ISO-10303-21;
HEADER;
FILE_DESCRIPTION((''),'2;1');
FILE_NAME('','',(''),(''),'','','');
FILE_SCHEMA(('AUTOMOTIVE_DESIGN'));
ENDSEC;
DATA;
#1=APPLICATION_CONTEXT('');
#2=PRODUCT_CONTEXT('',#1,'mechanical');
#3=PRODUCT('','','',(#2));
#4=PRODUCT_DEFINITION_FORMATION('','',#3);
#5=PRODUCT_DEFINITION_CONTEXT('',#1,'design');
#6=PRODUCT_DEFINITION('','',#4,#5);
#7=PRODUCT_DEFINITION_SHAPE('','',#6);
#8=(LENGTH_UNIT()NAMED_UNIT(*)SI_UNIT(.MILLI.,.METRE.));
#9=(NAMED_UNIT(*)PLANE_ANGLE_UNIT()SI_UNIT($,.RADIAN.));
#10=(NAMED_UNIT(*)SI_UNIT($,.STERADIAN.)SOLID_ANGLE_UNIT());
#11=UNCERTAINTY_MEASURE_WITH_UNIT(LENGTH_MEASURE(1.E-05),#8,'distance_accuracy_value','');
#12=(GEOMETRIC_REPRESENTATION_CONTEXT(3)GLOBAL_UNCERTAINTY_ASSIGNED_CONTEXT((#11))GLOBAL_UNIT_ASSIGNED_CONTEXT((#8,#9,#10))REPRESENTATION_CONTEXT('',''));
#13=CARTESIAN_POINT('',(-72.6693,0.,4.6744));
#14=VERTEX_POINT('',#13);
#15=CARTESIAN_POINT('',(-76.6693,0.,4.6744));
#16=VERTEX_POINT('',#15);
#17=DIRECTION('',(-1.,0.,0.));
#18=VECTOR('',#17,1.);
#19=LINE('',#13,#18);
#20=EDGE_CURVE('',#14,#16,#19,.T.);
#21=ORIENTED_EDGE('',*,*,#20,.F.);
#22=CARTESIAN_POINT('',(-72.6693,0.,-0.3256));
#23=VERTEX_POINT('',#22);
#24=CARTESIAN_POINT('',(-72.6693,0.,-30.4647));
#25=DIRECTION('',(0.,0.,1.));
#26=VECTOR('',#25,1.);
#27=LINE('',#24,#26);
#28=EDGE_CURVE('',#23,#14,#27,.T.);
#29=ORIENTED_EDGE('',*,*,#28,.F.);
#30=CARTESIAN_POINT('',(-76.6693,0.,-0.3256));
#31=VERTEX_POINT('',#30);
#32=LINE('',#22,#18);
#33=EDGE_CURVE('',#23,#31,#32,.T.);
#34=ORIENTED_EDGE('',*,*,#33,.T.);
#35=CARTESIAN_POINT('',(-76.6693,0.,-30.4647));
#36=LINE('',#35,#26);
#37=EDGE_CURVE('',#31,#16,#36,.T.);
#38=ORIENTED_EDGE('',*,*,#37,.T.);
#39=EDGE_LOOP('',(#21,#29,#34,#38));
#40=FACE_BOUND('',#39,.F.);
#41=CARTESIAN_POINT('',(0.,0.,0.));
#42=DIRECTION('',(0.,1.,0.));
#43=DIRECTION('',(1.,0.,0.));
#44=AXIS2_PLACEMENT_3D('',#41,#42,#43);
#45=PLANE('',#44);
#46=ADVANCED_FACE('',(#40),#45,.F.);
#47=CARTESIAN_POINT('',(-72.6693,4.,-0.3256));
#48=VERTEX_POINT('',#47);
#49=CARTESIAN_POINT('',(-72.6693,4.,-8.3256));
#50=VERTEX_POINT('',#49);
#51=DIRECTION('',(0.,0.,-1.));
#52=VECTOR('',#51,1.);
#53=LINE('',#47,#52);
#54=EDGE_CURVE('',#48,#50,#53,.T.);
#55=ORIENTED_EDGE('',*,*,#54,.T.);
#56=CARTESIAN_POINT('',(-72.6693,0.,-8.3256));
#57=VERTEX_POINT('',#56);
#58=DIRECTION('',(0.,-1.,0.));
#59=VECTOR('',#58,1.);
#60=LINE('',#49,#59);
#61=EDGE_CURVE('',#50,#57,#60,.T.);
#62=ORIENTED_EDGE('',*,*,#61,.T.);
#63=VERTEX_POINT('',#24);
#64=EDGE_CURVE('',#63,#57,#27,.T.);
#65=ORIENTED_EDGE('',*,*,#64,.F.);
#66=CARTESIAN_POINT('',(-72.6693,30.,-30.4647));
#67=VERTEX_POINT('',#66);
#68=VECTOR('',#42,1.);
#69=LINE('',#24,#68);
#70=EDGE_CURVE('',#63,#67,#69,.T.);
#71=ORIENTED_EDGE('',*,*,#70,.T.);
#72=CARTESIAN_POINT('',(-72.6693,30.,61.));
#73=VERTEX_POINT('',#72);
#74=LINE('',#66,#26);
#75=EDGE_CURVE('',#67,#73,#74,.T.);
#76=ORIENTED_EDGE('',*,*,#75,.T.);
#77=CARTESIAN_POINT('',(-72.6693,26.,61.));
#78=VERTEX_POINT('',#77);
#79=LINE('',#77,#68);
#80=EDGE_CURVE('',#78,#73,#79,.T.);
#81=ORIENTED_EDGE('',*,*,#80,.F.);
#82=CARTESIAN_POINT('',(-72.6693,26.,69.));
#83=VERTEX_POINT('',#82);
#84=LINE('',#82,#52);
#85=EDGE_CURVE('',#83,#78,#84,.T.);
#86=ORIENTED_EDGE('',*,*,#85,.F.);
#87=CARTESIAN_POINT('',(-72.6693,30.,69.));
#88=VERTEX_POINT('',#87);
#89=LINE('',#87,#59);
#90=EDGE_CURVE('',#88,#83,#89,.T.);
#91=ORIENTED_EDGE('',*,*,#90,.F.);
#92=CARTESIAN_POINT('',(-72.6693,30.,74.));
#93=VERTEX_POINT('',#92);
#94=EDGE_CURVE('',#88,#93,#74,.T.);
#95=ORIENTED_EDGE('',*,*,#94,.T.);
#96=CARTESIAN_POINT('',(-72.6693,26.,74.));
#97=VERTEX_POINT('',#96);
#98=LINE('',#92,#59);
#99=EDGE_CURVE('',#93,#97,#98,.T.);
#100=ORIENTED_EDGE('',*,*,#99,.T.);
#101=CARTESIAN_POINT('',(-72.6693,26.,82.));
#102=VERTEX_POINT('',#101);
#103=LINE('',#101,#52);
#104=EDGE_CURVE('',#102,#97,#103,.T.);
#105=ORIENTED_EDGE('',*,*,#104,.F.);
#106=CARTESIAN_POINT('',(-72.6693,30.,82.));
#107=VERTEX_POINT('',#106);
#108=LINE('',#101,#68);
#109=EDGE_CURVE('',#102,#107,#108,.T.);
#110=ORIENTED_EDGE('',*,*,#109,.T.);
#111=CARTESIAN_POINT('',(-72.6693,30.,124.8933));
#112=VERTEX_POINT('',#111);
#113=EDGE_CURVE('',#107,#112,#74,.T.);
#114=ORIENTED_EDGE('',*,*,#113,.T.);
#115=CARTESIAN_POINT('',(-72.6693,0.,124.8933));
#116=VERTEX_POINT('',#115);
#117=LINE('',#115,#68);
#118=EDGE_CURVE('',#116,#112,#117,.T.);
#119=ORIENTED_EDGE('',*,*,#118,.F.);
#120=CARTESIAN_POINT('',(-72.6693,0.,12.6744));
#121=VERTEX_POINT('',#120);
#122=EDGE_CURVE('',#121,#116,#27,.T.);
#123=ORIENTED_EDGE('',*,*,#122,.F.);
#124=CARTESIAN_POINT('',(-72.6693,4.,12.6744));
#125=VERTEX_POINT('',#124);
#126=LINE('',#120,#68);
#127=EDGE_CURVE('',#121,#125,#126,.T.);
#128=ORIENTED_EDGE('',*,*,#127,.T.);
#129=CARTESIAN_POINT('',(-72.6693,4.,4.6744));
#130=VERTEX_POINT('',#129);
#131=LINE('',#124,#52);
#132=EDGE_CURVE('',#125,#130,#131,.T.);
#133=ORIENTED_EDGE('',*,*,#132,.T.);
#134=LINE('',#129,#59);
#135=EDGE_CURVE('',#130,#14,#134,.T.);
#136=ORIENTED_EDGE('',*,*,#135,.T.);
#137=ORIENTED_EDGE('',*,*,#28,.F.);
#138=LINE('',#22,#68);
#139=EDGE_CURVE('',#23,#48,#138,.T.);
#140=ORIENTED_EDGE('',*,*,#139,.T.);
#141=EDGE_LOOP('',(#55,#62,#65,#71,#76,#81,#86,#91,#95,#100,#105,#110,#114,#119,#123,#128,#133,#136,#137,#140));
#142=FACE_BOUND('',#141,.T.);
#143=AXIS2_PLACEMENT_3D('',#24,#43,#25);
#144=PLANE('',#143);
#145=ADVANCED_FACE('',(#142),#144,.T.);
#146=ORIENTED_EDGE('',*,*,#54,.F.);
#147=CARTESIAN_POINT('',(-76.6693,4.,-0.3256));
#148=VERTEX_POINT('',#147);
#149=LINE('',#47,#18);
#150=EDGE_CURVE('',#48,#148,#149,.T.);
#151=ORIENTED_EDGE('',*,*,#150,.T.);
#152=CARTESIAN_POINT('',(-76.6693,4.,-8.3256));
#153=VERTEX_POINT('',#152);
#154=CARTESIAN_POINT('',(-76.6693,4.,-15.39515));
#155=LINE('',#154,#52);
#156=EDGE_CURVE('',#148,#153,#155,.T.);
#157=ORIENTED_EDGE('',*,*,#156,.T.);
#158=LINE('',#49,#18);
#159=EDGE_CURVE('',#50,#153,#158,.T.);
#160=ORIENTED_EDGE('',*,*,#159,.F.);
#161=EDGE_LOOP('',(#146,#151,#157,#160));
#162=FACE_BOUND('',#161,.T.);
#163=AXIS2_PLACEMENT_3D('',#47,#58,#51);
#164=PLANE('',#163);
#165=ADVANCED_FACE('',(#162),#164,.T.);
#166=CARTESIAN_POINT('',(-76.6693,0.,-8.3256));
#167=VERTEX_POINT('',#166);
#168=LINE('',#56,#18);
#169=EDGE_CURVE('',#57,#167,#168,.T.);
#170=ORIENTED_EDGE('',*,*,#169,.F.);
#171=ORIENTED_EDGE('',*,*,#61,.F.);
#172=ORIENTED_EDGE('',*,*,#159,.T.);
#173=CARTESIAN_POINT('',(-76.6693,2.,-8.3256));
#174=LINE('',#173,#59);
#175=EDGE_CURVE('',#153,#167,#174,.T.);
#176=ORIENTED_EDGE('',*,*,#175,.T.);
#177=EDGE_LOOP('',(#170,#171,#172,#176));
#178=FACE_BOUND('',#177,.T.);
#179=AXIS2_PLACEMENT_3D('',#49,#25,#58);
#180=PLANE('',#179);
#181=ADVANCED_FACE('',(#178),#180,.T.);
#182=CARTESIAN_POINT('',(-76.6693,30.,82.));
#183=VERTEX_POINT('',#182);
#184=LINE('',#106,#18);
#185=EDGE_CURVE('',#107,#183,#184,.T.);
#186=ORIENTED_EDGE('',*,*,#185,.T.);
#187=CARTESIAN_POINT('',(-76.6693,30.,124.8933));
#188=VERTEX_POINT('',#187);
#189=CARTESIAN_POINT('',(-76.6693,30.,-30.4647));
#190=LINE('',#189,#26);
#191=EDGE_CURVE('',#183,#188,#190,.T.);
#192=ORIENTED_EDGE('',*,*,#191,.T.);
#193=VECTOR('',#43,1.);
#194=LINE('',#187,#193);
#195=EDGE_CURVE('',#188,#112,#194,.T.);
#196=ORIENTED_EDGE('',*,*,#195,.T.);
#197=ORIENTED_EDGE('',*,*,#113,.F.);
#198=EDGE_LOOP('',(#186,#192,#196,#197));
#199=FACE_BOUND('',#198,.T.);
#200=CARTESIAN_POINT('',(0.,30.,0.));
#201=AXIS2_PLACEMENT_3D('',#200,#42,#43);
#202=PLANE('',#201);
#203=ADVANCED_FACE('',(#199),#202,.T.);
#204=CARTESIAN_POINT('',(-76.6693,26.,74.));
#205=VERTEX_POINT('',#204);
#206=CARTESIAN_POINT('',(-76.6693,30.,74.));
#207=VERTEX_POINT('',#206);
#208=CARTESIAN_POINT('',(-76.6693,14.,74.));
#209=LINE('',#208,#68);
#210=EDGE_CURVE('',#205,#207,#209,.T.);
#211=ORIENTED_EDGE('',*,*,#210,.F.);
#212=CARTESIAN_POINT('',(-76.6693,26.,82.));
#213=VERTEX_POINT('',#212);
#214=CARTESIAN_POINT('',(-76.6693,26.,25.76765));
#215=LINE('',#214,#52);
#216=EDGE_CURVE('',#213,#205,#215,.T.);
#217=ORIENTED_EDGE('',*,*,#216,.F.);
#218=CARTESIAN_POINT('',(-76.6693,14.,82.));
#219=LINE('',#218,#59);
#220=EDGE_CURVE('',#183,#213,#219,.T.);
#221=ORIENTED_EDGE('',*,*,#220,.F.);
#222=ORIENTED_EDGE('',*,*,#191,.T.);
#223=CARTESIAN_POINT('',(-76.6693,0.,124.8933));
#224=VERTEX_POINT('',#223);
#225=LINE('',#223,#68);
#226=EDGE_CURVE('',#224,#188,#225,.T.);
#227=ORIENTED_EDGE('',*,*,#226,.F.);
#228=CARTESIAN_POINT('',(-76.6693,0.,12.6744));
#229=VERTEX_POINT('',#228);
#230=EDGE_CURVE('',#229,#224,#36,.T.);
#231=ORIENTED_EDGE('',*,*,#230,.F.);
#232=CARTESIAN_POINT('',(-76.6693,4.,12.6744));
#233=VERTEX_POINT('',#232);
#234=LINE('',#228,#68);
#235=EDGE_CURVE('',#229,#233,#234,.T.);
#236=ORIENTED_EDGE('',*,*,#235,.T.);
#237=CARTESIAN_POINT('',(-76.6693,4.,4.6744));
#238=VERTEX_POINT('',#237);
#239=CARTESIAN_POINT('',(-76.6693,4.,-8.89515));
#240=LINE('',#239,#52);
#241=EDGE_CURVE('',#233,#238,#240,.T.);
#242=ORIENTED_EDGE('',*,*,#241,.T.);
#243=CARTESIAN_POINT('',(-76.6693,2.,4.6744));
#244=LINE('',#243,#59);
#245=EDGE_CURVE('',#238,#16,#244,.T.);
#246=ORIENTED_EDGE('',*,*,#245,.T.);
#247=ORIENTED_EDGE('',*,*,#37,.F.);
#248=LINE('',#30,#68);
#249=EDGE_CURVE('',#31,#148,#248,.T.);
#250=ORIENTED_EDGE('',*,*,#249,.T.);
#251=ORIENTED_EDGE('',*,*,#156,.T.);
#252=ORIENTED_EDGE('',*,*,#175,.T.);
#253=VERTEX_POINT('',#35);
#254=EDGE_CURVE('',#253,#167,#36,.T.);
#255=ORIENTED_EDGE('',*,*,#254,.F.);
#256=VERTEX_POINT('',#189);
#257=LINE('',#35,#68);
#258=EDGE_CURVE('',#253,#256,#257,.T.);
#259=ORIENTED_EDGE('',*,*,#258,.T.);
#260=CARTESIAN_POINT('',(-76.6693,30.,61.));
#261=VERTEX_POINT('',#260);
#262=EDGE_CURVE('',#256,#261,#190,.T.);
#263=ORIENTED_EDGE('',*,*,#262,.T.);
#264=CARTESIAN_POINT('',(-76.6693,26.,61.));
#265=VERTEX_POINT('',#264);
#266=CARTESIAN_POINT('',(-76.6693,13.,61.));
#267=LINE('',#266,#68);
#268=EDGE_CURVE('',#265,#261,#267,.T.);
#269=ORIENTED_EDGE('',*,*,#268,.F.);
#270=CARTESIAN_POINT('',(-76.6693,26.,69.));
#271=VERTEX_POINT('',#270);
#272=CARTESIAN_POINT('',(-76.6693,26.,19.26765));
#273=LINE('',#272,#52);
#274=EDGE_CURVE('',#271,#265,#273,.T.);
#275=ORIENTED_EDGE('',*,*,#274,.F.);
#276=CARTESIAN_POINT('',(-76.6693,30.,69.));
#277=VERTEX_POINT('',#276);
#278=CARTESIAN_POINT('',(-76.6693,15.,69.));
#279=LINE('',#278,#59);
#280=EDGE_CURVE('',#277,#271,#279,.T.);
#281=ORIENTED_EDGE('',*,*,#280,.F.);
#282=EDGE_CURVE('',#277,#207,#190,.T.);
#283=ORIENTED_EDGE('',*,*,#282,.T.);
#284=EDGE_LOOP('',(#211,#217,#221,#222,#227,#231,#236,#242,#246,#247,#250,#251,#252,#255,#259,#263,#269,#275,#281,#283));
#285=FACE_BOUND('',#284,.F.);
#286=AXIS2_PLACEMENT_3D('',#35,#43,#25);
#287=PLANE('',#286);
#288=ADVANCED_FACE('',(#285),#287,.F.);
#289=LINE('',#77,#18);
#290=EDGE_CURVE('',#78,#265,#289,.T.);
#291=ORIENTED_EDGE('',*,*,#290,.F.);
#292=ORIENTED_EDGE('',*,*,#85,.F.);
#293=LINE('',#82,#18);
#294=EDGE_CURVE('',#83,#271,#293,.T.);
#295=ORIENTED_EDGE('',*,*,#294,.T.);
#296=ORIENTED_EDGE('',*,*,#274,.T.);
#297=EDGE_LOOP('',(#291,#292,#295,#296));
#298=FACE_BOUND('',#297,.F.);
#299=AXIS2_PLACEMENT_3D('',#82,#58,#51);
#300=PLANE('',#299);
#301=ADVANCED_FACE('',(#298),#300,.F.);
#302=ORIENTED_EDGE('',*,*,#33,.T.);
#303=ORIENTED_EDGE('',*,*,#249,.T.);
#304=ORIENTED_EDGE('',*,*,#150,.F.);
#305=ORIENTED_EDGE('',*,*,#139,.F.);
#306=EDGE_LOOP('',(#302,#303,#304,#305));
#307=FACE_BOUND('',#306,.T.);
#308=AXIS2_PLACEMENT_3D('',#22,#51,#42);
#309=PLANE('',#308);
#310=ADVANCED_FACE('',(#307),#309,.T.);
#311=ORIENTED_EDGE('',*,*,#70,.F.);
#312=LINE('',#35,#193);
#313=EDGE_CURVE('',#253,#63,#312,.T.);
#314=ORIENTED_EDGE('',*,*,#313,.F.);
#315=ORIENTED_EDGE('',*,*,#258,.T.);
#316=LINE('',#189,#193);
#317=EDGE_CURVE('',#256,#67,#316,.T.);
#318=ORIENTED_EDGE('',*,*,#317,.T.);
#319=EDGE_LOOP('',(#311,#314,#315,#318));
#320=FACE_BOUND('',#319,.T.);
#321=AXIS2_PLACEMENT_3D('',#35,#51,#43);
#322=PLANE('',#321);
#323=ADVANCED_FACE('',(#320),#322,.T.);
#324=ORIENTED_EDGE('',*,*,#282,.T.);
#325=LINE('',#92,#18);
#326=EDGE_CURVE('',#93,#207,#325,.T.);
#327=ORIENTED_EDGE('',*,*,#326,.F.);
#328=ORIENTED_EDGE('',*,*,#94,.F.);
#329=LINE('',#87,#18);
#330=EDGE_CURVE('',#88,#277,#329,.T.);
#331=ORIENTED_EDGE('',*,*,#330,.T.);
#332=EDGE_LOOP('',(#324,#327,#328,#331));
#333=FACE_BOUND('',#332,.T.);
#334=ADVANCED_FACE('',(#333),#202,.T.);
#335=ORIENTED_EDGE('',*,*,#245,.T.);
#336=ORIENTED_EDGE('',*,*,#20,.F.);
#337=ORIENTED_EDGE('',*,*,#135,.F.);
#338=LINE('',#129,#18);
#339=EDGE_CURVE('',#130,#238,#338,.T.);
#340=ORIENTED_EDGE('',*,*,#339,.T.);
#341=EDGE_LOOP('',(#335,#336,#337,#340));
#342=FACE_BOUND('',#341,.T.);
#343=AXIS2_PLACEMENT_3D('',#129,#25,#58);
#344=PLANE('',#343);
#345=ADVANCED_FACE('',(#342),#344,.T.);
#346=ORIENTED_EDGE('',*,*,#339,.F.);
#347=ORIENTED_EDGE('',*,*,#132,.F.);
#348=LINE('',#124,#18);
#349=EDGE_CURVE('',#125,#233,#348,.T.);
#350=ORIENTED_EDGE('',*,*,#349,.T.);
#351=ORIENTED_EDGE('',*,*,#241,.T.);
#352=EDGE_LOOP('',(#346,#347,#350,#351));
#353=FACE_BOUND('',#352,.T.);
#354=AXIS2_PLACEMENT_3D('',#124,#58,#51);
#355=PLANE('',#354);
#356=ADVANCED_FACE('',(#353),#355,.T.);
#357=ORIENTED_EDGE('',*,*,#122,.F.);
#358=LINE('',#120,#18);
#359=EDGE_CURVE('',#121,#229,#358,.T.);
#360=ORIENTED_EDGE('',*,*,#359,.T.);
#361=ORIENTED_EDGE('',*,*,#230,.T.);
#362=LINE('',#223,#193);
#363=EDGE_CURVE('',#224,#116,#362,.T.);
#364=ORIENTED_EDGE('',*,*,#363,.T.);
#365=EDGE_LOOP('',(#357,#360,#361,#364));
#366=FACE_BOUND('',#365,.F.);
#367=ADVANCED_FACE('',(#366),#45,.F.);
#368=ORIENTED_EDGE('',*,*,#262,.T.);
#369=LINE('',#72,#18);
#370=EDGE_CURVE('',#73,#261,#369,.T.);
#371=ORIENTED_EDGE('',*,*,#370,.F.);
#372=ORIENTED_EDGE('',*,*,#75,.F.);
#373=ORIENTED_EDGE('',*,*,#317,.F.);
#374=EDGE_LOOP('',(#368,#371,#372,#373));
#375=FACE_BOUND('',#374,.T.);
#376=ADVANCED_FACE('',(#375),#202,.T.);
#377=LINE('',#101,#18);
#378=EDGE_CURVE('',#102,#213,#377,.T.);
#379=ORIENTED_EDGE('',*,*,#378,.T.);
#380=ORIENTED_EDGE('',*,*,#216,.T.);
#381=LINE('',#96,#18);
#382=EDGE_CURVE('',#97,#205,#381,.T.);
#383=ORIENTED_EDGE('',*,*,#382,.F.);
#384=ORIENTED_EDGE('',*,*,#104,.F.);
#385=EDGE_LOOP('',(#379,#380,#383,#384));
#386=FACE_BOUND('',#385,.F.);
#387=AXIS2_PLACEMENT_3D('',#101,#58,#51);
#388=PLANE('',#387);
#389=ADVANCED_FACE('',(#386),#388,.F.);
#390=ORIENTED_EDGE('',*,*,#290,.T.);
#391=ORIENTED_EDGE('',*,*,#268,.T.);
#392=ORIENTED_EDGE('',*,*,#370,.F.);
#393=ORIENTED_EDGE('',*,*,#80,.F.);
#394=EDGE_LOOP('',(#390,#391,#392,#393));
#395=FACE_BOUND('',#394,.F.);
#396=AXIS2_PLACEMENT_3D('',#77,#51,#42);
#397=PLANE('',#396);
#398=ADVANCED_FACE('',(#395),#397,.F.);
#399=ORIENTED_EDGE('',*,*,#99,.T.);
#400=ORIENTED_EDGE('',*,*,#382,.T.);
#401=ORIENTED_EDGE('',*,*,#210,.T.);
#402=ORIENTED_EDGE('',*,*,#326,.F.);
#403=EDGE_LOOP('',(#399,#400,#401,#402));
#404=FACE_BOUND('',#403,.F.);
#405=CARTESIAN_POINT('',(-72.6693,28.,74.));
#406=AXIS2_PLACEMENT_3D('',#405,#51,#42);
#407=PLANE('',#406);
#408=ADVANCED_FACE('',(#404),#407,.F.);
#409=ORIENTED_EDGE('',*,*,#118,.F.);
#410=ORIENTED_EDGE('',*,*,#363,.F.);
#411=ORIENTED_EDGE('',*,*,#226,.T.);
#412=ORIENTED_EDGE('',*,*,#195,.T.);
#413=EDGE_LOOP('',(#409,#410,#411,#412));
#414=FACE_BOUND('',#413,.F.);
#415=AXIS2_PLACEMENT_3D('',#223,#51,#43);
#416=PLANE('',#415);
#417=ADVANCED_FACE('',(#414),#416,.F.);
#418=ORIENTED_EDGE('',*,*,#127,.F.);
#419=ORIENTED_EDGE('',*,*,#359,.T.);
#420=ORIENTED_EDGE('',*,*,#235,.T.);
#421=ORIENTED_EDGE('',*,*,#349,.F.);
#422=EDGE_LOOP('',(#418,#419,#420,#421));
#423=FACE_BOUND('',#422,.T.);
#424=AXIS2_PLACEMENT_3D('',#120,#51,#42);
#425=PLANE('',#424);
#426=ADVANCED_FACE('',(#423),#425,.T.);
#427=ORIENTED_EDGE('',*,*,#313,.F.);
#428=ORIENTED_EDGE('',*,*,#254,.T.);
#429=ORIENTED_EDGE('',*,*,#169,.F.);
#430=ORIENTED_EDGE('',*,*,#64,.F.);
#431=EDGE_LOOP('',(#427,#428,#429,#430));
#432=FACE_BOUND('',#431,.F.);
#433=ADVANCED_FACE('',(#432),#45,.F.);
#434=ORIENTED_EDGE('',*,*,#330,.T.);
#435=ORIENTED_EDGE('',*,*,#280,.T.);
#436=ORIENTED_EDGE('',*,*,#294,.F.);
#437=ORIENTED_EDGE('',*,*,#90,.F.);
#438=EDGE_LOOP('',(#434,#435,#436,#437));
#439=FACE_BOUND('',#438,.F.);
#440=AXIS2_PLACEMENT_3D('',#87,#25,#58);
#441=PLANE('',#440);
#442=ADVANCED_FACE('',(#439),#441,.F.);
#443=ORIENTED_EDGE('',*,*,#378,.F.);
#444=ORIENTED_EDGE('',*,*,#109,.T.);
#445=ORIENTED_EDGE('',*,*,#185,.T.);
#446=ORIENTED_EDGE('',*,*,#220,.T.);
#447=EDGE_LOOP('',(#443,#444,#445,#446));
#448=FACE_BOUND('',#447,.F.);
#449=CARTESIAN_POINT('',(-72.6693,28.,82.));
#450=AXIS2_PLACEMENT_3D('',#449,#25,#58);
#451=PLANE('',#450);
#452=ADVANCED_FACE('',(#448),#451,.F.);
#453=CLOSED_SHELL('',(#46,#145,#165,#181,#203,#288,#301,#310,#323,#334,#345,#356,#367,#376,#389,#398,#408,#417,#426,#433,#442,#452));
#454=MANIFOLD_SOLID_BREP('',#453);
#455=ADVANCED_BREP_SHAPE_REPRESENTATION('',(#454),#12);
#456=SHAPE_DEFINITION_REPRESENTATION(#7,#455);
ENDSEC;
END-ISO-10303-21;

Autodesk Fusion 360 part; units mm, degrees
sketch "Boceto1" plane through (0, 0, 0) normal (0, 1, 0) x (1, 0, 0)
  line L0 (-76.6693, 30.4647) -> (-76.6693, -124.8933)
  line L1 (-95, 0) -> (105, 0) construction
  line L2 (-76.6693, 30.4647) -> (-72.6693, 30.4647)
  line L3 (-72.6693, 30.4647) -> (-72.6693, -124.8933)
  line L4 (-76.6693, -124.8933) -> (-72.6693, -124.8933)
  dimension "d59" = 4
extrude "Extruir1" add sketch "Boceto1" along normal blind 30
sketch "Boceto2" plane through (-72.6693, 0, 0) normal (1, 0, 0) x (0, 0, -1)
  line L0 (-124.8933, 0) -> (30.4647, 0)
  line L1 (30.4647, 0) -> (30.4647, 30)
  line L2 (30.4647, 30) -> (-124.8933, 30)
  line L3 (-124.8933, 30) -> (-124.8933, 0)
  line L4 (-61, 30) -> (-69, 30)
  line L5 (-69, 26) -> (-61, 26)
  line L6 (-61, 26) -> (-61, 30)
  line L7 (-74, 30) -> (-82, 30)
  line L8 (-82, 30) -> (-82, 28)
  line L9 (-74, 28) -> (-74, 30)
  line L10 (-82, 26) -> (-74, 26)
  line L11 (-74, 26) -> (-74, 30)
  line L12 (-61, 30) -> (-69, 30)
  line L13 (-82, 30) -> (-82, 26)
  line L14 (8.3256, 0) -> (0.3256, 0)
  line L15 (0.3256, 0) -> (0.3256, 4)
  line L16 (0.3256, 4) -> (8.3256, 4)
  line L17 (8.3256, 4) -> (8.3256, 0)
  line L18 (-4.6744, 0) -> (-12.6744, 0)
  line L19 (-12.6744, 0) -> (-12.6744, 4)
  line L20 (-12.6744, 4) -> (-4.6744, 4)
  line L21 (-4.6744, 4) -> (-4.6744, 0)
  line L22 (-69, 30) -> (-69, 26)
  dimension "d43" = 8
  dimension "d46" = 8
  dimension "d47" = 4
  dimension "d50" = 4
  dimension "d51" = 8
  dimension "d52" = 5
  dimension "d53" = 4
  dimension "d54" = 5
  dimension "d55" = 8
  dimension "d56" = 8
  dimension "d57" = 4
extrude "Extruir2" cut sketch "Boceto2" against normal through all contours L0 L18 L19 L20 L21 | L2 L7 L8 L9 L10 L11 L13 | L0 L14 L15 L16 L17 | L2 L4 L5 L6 L12 L22
